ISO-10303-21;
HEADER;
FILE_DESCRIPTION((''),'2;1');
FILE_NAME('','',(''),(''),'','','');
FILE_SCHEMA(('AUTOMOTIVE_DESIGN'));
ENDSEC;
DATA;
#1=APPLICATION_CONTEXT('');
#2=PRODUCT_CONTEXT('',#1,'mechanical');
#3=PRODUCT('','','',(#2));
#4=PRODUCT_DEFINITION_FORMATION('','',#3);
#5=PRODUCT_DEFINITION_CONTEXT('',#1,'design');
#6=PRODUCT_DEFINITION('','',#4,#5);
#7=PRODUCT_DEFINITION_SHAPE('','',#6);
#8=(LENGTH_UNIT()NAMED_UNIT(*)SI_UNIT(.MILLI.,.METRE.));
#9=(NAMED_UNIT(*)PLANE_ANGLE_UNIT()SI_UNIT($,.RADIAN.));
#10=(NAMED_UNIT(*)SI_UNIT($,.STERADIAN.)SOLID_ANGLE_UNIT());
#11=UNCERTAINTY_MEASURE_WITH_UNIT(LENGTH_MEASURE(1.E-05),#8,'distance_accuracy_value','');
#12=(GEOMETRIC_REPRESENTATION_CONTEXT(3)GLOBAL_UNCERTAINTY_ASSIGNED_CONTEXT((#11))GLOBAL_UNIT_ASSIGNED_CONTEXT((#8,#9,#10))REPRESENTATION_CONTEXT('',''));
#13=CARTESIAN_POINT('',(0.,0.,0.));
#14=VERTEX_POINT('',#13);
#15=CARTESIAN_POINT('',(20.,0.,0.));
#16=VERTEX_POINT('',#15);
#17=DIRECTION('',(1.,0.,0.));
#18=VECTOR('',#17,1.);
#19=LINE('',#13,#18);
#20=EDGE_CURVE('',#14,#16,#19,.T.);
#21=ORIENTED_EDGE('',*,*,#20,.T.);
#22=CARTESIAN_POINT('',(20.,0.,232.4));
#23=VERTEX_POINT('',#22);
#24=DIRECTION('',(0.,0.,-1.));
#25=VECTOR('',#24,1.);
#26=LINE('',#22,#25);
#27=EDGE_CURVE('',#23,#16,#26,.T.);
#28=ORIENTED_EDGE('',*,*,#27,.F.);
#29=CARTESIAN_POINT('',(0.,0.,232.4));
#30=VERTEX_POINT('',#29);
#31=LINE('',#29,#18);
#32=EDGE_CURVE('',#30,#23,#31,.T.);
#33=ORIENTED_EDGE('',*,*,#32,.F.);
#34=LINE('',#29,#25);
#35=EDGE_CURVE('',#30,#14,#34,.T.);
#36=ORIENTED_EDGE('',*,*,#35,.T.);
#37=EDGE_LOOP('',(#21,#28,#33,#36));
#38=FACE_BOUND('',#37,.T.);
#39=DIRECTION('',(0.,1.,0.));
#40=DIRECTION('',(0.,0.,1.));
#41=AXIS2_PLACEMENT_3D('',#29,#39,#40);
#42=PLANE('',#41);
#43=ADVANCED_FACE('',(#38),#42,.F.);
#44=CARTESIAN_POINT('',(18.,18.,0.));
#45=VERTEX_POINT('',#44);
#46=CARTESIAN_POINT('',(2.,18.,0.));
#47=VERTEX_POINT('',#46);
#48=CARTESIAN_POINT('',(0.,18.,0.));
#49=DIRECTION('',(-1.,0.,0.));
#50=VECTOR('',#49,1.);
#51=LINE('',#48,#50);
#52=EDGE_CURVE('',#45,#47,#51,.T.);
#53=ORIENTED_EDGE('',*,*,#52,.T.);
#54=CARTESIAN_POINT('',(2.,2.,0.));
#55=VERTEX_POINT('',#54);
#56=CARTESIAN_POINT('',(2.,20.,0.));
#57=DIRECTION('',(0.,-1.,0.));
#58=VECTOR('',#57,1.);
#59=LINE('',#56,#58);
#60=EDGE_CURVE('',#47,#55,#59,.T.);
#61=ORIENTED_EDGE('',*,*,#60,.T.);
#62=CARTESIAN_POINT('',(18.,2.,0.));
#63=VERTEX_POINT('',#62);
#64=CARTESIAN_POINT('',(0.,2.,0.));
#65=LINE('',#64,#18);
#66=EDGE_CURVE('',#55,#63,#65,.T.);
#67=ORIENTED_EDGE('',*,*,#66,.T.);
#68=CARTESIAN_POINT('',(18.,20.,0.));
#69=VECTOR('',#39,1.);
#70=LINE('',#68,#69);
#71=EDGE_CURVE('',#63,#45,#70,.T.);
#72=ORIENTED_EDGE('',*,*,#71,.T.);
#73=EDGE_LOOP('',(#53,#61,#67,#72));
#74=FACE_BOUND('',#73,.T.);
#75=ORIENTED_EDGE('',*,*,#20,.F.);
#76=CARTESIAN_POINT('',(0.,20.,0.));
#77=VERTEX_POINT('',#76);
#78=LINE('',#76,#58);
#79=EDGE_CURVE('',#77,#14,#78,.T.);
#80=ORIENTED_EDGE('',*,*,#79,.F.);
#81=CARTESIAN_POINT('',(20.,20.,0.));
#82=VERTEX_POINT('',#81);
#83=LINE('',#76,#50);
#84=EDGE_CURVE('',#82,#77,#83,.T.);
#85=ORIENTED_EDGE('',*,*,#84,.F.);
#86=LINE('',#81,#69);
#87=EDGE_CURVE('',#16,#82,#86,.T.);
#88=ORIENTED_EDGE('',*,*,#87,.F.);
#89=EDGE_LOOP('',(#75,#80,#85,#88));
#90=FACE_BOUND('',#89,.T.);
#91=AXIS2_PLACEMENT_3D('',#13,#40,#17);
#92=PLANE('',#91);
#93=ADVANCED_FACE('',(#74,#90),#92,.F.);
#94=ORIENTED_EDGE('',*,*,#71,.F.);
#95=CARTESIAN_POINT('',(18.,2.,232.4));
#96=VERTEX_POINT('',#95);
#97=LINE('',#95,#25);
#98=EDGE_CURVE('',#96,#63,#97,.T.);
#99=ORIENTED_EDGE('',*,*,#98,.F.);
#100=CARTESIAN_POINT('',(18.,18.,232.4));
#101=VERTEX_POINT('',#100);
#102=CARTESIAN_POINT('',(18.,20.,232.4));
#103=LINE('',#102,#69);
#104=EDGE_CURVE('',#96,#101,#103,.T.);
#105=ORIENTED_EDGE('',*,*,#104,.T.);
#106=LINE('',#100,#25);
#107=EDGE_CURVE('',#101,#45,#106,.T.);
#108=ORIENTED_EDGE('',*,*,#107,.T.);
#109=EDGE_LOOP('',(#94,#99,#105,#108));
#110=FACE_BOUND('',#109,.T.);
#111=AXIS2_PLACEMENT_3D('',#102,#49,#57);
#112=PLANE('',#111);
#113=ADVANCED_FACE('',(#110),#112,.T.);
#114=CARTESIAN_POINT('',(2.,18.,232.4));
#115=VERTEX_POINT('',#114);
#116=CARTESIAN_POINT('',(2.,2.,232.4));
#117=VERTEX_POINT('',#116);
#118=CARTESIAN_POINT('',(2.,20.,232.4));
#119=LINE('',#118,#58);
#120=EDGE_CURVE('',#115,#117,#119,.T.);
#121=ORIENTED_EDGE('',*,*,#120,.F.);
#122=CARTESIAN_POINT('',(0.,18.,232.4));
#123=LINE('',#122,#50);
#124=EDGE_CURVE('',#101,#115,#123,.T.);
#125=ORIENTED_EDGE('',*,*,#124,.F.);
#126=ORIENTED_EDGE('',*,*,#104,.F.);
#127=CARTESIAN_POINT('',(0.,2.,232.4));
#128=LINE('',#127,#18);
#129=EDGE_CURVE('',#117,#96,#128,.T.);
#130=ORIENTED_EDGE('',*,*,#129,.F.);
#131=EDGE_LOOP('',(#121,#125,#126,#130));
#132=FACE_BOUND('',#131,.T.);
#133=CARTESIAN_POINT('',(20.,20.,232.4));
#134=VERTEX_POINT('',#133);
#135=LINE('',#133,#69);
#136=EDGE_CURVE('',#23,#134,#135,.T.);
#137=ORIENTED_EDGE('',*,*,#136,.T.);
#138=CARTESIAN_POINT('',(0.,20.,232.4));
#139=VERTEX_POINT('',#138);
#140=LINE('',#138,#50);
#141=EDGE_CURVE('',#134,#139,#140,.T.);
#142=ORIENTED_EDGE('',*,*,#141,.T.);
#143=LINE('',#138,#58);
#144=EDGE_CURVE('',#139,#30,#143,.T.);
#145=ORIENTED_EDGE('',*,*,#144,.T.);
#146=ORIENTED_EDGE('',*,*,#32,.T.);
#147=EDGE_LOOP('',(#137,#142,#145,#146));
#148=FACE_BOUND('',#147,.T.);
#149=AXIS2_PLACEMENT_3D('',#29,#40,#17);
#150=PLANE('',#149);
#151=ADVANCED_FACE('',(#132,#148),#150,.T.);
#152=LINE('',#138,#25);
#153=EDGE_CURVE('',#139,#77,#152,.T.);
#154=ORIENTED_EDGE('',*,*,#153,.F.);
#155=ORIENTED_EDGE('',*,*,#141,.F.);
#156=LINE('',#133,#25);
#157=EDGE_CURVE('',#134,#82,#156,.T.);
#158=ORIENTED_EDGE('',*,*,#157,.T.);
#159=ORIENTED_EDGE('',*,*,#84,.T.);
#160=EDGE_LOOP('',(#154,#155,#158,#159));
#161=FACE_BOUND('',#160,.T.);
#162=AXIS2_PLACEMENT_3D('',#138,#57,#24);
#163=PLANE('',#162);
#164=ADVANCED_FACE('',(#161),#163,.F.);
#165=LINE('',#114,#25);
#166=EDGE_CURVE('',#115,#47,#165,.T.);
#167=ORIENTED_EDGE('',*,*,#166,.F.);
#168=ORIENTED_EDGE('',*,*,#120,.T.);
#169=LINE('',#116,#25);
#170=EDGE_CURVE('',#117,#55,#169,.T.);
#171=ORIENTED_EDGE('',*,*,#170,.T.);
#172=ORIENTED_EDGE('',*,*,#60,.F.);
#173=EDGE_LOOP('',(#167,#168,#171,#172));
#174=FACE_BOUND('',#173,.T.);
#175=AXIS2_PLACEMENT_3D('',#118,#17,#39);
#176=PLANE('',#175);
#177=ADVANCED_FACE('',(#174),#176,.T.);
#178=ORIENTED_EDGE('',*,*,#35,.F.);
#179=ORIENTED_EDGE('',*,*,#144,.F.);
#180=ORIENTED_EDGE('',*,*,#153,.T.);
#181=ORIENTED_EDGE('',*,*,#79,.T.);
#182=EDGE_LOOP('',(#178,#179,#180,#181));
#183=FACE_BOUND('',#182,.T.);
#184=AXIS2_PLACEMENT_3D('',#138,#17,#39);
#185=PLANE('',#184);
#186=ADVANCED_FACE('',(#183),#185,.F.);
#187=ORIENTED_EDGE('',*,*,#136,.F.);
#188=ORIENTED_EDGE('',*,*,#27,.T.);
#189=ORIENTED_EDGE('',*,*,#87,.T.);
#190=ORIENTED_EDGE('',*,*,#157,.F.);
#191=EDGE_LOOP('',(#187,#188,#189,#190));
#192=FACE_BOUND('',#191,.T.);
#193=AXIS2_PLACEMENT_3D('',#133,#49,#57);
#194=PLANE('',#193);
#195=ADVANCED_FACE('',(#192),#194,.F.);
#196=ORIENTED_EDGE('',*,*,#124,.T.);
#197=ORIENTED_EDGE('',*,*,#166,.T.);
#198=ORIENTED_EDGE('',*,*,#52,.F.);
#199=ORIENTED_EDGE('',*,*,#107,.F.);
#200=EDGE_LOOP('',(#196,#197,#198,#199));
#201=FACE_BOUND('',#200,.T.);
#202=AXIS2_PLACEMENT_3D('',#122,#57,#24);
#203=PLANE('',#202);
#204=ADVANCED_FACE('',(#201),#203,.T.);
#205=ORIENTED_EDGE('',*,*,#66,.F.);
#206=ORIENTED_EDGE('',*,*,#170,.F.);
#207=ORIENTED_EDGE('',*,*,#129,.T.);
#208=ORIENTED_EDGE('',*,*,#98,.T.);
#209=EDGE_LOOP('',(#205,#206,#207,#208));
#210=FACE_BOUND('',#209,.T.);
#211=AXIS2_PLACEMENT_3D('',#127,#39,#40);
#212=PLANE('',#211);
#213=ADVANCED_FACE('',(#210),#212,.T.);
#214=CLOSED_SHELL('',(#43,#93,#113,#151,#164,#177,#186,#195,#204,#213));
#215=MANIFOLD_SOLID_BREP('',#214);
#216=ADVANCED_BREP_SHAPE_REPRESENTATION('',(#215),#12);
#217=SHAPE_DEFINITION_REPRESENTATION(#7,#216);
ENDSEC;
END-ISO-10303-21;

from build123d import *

# Parameters (mm, degrees)
SKETCH1_W           = 20
SKETCH1_H           = 20
SKETCH1_W_2         = 16
SKETCH1_H_2         = 16
EXTRUDE_THIN1_DEPTH = 232.4


with BuildPart() as part:
    # Sketch1 → Extrude-Thin1 (new body)
    with BuildSketch(Plane.XY):
        with Locations((10, 10)):
            Rectangle(SKETCH1_W, SKETCH1_H)
        with Locations((10, 10)):
            Rectangle(SKETCH1_W_2, SKETCH1_H_2, mode=Mode.SUBTRACT)
    extrude(amount=EXTRUDE_THIN1_DEPTH)


solid = part.part
